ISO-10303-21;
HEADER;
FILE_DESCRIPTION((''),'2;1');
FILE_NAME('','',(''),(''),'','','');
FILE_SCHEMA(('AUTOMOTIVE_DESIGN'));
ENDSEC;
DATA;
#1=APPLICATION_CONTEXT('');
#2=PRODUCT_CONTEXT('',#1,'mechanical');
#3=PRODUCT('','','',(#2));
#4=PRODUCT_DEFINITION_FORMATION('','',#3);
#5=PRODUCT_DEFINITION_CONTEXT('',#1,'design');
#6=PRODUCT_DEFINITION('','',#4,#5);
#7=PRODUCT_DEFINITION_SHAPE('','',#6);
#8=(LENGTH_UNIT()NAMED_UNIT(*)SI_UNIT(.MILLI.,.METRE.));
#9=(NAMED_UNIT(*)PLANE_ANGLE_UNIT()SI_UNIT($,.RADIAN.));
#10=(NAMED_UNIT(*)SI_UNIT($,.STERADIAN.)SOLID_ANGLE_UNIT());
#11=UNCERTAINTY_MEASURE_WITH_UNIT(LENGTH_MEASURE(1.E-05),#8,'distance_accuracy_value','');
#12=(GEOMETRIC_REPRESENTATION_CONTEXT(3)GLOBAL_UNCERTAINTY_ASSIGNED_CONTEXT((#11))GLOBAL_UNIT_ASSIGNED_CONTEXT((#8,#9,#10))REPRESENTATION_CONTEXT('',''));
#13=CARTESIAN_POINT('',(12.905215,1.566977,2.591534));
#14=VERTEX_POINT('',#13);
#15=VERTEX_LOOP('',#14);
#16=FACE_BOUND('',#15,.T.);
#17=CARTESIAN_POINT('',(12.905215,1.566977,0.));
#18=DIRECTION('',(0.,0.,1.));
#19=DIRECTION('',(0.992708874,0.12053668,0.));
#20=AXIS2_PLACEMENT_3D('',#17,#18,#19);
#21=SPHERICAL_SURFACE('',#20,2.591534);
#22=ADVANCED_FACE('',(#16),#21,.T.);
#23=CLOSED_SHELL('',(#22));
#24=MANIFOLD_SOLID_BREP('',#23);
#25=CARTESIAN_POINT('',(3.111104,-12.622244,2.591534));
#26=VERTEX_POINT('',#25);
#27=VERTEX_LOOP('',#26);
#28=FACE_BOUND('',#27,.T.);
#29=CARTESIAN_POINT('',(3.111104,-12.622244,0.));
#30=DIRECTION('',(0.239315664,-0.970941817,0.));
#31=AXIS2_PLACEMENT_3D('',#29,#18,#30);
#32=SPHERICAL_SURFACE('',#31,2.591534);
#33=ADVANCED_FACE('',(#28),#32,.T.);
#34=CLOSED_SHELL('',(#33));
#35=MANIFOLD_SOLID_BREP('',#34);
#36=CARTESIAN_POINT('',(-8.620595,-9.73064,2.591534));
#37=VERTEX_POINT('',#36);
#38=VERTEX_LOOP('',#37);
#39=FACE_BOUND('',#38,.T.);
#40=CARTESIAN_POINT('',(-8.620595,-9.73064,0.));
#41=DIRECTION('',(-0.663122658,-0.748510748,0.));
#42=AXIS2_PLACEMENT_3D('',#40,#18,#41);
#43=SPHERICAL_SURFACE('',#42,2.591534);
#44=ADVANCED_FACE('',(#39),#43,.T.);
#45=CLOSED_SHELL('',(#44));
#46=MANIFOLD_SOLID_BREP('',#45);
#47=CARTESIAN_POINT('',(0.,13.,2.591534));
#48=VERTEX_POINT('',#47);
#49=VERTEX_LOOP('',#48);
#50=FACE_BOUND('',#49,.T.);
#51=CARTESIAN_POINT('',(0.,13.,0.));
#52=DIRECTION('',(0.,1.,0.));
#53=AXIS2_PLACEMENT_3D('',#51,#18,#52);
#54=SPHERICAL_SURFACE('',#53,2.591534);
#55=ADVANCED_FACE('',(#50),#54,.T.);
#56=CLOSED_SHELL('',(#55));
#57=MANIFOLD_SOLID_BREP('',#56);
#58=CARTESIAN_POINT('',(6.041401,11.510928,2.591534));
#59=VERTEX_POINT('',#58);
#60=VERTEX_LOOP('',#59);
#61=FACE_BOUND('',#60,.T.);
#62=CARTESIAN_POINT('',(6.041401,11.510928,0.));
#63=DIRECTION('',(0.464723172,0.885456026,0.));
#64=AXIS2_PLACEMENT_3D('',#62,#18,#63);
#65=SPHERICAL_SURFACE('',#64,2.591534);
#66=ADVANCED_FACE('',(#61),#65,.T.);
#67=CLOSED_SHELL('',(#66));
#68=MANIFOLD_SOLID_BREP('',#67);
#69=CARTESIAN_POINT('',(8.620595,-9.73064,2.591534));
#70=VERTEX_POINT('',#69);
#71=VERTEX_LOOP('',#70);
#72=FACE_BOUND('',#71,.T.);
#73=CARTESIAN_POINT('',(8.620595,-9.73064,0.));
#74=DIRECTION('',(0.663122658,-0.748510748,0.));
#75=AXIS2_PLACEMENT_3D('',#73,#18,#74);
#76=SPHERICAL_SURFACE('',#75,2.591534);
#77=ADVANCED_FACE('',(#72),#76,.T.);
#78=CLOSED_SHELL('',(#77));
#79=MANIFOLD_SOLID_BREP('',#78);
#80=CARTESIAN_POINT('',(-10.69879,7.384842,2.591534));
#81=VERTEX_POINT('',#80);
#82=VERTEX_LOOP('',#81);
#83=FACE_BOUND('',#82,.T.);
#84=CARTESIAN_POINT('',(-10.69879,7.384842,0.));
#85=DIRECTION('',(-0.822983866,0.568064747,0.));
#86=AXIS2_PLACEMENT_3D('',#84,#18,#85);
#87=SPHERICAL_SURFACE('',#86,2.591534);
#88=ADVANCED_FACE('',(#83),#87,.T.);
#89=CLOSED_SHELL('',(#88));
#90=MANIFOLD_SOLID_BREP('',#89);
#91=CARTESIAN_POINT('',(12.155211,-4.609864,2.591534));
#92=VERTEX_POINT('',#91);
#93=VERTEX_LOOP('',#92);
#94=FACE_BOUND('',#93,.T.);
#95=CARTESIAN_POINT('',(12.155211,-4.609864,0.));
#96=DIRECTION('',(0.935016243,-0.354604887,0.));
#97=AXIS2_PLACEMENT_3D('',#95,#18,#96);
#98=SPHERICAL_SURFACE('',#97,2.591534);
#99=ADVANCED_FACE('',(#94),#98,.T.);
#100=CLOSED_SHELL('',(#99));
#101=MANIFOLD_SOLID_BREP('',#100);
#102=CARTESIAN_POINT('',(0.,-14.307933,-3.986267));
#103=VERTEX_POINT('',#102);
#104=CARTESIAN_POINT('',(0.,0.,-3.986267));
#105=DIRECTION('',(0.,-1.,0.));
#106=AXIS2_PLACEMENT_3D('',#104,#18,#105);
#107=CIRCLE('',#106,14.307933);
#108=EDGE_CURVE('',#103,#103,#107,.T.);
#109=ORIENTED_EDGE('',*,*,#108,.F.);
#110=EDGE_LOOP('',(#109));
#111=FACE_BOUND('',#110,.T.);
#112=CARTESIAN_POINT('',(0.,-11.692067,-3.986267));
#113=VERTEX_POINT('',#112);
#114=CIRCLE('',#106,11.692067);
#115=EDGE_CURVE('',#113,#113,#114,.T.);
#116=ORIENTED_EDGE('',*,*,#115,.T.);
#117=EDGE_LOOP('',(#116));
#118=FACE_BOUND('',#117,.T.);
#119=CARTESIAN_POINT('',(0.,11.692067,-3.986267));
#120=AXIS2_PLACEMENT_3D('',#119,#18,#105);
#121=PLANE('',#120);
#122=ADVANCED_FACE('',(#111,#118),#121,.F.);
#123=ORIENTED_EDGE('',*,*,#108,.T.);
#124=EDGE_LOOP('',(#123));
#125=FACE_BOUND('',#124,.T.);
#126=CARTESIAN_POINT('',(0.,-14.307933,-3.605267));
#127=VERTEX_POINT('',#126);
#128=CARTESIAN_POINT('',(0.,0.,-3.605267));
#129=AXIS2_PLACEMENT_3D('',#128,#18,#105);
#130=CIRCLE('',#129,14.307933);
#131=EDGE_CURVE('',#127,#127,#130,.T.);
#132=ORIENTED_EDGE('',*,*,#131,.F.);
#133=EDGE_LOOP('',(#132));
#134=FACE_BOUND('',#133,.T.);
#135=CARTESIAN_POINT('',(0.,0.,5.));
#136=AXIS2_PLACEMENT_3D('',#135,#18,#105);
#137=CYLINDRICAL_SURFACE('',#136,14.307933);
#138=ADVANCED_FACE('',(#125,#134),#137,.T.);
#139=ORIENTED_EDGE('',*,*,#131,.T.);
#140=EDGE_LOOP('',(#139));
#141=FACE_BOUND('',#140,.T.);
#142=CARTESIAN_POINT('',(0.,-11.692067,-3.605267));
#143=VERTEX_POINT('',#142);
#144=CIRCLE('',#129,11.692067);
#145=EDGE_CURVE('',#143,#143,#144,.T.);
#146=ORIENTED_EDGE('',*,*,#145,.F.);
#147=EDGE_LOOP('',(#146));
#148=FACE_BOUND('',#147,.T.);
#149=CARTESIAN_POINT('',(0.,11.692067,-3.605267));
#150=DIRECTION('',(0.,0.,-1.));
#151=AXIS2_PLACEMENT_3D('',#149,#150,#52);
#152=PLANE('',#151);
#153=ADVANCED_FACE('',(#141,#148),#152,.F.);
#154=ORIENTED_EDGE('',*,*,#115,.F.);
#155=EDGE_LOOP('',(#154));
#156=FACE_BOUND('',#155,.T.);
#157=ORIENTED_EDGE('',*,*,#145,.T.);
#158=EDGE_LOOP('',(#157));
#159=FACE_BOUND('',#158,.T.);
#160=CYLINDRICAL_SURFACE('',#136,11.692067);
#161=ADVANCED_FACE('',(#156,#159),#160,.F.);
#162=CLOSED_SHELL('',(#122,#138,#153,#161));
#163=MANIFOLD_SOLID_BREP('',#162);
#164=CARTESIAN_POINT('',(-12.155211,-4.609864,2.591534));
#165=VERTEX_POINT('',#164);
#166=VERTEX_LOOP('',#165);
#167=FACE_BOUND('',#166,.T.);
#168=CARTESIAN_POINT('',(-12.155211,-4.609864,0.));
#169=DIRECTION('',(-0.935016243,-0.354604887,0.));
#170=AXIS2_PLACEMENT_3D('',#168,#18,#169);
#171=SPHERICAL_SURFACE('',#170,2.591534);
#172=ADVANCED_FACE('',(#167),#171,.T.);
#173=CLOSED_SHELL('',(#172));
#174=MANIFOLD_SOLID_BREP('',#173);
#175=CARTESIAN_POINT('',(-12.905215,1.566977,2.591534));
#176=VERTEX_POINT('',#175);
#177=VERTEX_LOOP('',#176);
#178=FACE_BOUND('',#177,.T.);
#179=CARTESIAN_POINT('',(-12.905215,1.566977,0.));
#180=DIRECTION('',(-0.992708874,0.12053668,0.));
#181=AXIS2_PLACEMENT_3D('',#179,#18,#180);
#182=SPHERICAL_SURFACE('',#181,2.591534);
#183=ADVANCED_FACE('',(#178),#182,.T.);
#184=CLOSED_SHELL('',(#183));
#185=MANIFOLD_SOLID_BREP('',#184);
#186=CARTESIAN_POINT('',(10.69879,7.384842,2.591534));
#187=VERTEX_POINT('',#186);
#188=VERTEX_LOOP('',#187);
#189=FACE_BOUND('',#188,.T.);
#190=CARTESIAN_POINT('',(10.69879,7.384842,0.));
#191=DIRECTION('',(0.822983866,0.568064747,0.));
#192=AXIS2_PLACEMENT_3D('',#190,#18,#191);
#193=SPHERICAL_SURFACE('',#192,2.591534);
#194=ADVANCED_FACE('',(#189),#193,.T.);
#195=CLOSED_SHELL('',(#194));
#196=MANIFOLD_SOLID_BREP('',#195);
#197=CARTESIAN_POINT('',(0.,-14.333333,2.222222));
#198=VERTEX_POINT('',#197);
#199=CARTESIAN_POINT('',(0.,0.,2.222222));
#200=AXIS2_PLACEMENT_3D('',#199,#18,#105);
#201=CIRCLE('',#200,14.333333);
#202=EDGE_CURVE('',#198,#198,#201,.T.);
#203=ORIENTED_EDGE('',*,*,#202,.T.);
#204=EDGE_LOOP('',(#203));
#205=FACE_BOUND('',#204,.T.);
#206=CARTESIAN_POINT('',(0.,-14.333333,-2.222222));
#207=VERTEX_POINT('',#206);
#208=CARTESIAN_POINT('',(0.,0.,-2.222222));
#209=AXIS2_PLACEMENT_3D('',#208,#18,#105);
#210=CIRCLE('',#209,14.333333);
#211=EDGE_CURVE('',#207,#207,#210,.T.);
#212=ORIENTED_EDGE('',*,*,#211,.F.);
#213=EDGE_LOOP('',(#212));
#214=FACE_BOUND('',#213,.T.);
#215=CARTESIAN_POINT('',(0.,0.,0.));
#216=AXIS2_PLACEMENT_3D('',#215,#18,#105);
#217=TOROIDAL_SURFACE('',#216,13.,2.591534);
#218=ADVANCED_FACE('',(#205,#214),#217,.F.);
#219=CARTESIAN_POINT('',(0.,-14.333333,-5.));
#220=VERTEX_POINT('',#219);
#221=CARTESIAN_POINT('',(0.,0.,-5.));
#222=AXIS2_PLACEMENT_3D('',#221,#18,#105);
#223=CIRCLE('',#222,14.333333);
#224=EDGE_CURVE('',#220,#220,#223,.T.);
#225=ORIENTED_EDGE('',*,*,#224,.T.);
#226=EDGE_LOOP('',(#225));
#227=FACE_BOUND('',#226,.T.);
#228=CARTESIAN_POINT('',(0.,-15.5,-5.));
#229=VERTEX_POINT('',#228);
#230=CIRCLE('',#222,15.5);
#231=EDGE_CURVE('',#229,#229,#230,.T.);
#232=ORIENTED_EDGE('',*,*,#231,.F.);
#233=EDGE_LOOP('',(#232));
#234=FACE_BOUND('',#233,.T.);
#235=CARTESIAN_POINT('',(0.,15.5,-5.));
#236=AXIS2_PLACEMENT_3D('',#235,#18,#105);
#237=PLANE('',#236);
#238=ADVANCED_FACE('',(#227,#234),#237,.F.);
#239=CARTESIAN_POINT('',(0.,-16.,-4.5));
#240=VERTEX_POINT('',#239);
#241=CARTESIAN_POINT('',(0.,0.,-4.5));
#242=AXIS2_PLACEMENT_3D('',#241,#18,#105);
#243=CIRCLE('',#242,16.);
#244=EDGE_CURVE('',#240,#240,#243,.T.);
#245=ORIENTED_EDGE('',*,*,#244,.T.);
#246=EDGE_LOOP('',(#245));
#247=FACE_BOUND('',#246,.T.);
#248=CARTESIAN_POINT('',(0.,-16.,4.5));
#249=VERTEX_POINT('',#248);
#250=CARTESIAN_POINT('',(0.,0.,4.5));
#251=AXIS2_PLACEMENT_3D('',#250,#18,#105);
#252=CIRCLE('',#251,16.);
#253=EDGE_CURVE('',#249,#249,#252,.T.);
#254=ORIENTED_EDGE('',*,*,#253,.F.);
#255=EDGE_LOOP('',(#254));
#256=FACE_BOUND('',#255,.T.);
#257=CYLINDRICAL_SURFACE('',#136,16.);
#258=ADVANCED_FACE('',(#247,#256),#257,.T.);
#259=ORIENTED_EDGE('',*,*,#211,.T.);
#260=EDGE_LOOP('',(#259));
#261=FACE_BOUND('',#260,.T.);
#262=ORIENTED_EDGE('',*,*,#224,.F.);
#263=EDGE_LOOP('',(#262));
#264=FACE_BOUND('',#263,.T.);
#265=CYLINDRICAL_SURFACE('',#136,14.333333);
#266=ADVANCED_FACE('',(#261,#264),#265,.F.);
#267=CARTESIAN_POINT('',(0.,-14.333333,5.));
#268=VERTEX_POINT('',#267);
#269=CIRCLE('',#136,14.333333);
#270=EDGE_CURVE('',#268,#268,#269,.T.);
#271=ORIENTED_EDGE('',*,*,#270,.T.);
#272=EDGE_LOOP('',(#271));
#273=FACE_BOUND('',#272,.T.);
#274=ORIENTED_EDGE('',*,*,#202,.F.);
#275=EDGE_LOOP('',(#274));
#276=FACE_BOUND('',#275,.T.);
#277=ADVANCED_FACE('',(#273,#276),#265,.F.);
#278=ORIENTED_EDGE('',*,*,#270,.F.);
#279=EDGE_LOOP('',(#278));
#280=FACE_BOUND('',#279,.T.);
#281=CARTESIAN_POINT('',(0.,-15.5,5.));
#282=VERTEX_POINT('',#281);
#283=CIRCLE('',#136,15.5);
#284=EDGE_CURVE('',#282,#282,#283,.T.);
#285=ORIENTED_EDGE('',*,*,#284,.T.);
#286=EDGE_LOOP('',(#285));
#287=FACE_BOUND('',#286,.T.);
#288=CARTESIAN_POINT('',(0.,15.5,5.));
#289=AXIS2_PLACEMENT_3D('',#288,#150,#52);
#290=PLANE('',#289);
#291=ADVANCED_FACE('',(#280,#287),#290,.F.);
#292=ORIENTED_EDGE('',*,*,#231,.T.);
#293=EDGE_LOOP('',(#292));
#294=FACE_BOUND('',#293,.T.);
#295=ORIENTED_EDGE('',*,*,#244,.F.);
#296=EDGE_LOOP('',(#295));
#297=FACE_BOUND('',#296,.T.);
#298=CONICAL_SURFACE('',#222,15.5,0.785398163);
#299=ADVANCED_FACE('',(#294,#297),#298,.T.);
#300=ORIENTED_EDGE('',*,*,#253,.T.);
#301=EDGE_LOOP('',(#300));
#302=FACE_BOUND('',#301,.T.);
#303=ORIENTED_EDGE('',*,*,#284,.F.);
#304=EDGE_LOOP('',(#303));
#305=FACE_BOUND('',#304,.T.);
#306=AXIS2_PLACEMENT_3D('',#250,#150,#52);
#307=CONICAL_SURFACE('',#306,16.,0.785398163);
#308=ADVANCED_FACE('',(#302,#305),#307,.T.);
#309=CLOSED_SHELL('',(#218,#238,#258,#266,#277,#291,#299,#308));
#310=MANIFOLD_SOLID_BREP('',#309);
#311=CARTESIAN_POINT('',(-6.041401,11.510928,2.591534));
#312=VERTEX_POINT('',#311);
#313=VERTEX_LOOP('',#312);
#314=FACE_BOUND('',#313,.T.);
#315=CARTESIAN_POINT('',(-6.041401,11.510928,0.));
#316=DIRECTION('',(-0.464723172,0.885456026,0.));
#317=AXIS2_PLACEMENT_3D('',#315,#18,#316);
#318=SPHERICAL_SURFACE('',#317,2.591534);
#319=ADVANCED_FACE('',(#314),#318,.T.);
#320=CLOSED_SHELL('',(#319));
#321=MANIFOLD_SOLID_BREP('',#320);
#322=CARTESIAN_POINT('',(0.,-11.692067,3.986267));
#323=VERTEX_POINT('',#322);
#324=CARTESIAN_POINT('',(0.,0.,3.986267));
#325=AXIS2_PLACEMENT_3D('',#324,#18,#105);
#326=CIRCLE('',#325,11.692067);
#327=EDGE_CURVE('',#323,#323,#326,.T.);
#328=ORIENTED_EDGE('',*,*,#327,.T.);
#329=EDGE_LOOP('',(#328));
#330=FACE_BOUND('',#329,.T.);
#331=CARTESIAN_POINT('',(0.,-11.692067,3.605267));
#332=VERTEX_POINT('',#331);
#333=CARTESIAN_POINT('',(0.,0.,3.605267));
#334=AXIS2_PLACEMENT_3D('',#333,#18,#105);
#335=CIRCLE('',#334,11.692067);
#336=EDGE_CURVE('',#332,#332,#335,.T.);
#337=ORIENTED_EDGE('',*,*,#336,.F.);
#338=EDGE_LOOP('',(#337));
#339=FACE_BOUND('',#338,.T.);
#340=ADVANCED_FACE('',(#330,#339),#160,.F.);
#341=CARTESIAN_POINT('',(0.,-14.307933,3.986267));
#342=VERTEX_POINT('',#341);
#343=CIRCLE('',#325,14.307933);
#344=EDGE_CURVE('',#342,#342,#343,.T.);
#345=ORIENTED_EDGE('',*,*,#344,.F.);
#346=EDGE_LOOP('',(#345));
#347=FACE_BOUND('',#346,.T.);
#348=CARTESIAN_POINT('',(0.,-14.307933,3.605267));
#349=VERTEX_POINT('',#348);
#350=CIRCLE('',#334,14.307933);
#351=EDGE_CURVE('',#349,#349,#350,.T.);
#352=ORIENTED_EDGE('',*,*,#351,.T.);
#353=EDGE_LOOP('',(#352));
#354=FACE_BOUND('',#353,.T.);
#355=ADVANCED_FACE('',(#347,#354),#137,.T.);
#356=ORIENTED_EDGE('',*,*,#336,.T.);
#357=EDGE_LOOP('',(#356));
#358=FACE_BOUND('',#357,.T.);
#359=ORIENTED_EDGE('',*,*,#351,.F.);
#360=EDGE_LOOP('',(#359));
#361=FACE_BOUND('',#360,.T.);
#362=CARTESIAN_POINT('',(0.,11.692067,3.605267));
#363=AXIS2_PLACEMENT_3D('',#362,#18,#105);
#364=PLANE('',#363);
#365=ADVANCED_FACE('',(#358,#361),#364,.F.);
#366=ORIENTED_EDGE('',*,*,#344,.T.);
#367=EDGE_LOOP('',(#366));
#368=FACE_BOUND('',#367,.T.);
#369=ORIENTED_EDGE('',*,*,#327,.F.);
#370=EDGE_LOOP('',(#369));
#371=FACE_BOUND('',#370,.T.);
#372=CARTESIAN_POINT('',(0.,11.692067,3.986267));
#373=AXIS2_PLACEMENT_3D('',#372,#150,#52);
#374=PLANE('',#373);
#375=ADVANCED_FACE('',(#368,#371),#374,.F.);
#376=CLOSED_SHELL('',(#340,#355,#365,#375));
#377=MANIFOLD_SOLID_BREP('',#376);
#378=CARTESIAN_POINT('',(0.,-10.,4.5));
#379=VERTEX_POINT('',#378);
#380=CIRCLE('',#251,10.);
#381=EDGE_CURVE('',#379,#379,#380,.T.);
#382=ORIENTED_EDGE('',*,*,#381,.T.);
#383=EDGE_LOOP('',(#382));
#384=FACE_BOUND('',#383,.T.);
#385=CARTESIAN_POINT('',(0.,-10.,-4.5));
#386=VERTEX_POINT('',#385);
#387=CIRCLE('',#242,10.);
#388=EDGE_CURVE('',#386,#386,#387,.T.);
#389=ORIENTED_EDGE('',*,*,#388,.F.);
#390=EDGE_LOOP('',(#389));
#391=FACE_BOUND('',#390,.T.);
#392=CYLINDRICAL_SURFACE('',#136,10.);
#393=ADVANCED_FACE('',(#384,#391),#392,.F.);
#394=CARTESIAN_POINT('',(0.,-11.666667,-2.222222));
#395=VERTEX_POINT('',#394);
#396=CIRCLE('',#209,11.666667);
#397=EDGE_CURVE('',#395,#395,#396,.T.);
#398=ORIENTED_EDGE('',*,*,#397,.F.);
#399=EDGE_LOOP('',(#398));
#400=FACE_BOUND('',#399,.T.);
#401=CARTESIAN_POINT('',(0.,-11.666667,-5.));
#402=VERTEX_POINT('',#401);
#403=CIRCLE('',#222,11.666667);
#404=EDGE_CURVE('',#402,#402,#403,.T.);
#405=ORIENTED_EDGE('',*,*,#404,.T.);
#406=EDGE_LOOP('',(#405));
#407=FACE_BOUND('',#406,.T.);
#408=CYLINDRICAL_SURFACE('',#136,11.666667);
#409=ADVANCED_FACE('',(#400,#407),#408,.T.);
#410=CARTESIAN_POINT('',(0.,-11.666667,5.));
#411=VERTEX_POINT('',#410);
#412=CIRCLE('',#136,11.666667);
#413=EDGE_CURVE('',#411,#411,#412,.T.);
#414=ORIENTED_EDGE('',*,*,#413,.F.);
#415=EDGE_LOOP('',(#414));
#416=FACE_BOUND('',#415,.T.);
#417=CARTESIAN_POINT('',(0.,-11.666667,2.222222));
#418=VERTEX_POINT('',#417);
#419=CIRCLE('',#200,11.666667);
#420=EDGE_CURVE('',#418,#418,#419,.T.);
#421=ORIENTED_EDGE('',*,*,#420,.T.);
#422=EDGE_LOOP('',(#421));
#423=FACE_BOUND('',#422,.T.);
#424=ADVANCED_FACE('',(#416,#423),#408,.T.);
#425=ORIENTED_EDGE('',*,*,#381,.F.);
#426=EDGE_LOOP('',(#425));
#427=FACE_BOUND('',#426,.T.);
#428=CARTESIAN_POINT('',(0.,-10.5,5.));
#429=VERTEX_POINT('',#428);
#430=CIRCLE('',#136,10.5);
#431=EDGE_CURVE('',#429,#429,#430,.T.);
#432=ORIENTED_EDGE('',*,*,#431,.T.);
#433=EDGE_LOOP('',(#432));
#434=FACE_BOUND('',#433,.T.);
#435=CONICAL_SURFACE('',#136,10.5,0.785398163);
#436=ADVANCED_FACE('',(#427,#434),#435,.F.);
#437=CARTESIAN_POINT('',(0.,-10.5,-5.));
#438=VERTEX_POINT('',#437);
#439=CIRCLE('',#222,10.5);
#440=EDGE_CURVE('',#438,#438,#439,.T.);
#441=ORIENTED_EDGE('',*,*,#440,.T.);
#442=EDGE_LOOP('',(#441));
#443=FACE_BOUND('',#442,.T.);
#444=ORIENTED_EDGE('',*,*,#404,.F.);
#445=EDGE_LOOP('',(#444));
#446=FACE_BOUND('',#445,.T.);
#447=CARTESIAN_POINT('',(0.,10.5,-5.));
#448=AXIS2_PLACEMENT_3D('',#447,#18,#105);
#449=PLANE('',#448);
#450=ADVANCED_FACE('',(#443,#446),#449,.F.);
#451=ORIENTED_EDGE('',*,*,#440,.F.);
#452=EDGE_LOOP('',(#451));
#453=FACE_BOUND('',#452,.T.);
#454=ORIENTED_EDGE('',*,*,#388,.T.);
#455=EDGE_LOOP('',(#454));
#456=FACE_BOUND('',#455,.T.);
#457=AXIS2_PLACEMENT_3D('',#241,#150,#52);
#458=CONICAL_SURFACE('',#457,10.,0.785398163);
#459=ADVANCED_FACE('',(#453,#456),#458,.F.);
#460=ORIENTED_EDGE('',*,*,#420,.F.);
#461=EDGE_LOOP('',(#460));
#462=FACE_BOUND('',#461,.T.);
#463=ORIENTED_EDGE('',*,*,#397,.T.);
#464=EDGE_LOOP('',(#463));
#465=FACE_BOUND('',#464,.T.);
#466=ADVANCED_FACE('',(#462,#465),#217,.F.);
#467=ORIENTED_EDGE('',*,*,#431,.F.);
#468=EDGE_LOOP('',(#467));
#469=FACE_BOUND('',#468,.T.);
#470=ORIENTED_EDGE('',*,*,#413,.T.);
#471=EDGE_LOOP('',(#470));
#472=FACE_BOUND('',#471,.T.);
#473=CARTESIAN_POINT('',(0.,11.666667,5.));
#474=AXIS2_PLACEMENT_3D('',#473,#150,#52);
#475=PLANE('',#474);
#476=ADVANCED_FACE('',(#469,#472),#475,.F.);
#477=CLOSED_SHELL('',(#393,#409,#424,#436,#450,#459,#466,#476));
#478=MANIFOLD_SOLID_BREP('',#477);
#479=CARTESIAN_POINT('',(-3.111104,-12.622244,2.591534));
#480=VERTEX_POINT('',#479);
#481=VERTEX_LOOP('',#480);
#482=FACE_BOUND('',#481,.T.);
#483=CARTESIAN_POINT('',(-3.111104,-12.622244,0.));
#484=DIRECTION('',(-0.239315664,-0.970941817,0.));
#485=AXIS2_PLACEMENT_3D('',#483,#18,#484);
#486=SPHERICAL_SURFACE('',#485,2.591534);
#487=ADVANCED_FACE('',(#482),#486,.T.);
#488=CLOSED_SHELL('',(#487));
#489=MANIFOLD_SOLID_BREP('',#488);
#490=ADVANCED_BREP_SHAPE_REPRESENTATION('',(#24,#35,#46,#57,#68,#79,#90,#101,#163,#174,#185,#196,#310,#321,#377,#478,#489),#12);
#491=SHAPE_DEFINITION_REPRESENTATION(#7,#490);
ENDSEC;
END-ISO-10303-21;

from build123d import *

# Parameters (mm, degrees)
SKETCH5_W         = 0.381
SKETCH5_H         = 2.615866666
CIRPATTERN1_COUNT = 13


with BuildPart() as part:
    # Sketch5 → Revolve1 (revolve)
    with BuildSketch(Plane(origin=(0, 0, 0), x_dir=(0, 0, -1), z_dir=(1, 0, 0))):
        with BuildLine():
            Line((4.5, 16), (-4.5, 16))
            Line((-4.5, 16), (-5, 15.5))
            Line((-5, 15.5), (-5, 14.333333333))
            Line((-5, 14.333333333), (-2.222222222, 14.333333333))
            ThreePointArc((-2.222222222, 14.333333333), (0, 15.591534175), (2.222222222, 14.333333333))
            Line((2.222222222, 14.333333333), (5, 14.333333333))
            Line((5, 14.333333333), (5, 15.5))
            Line((5, 15.5), (4.5, 16))
        make_face()
        with Locations((3.795767088, 13)):
            Rectangle(SKETCH5_W, SKETCH5_H)
        with Locations((-3.795767088, 13)):
            Rectangle(SKETCH5_W, SKETCH5_H)
    revolve(axis=Axis((0, 0, 5), (0, 0, -1)))


with BuildPart() as body_2:
    # Sketch3 → Revolve3 (revolve)
    with BuildSketch(Plane(origin=(0, 0, 0), x_dir=(0, 0, -1), z_dir=(1, 0, 0))):
        with BuildLine():
            Line((-5, 11.666666667), (-2.222222222, 11.666666667))
            ThreePointArc((-2.222222222, 11.666666667), (0, 10.408465825), (2.222222222, 11.666666667))
            Line((2.222222222, 11.666666667), (5, 11.666666667))
            Line((5, 11.666666667), (5, 10.5))
            Line((5, 10.5), (4.5, 10))
            Line((4.5, 10), (-4.5, 10))
            Line((-4.5, 10), (-5, 10.5))
            Line((-5, 10.5), (-5, 11.666666667))
        make_face()
    revolve(axis=Axis((0, 0, 5), (0, 0, -1)))


with BuildPart() as body_3:
    # Sketch4 → Revolve4 (revolve)
    with BuildSketch(Plane(origin=(0, 0, 0), x_dir=(0, 0, -1), z_dir=(1, 0, 0))):
        with BuildLine():
            Line((-2.591534175, 13), (2.591534175, 13))
            ThreePointArc((2.591534175, 13), (0, 15.591534175), (-2.591534175, 13))
        make_face()
    revolve(axis=Axis((0, 13, 2.591534175), (0, 0, -1)))


with BuildPart() as cirpattern1_1:
    # CirPattern1: pattern copy
    add(body_3.part.rotate(Axis((0, 0, 0), (0, 0, 1)), 1 * 360 / CIRPATTERN1_COUNT))


with BuildPart() as cirpattern1_2:
    # CirPattern1: pattern copy
    add(body_3.part.rotate(Axis((0, 0, 0), (0, 0, 1)), 2 * 360 / CIRPATTERN1_COUNT))


with BuildPart() as cirpattern1_3:
    # CirPattern1: pattern copy
    add(body_3.part.rotate(Axis((0, 0, 0), (0, 0, 1)), 3 * 360 / CIRPATTERN1_COUNT))


with BuildPart() as cirpattern1_4:
    # CirPattern1: pattern copy
    add(body_3.part.rotate(Axis((0, 0, 0), (0, 0, 1)), 4 * 360 / CIRPATTERN1_COUNT))


with BuildPart() as cirpattern1_5:
    # CirPattern1: pattern copy
    add(body_3.part.rotate(Axis((0, 0, 0), (0, 0, 1)), 5 * 360 / CIRPATTERN1_COUNT))


with BuildPart() as cirpattern1_6:
    # CirPattern1: pattern copy
    add(body_3.part.rotate(Axis((0, 0, 0), (0, 0, 1)), 6 * 360 / CIRPATTERN1_COUNT))


with BuildPart() as cirpattern1_7:
    # CirPattern1: pattern copy
    add(body_3.part.rotate(Axis((0, 0, 0), (0, 0, 1)), 7 * 360 / CIRPATTERN1_COUNT))


with BuildPart() as cirpattern1_8:
    # CirPattern1: pattern copy
    add(body_3.part.rotate(Axis((0, 0, 0), (0, 0, 1)), 8 * 360 / CIRPATTERN1_COUNT))


with BuildPart() as cirpattern1_9:
    # CirPattern1: pattern copy
    add(body_3.part.rotate(Axis((0, 0, 0), (0, 0, 1)), 9 * 360 / CIRPATTERN1_COUNT))


with BuildPart() as cirpattern1_10:
    # CirPattern1: pattern copy
    add(body_3.part.rotate(Axis((0, 0, 0), (0, 0, 1)), 10 * 360 / CIRPATTERN1_COUNT))


with BuildPart() as cirpattern1_11:
    # CirPattern1: pattern copy
    add(body_3.part.rotate(Axis((0, 0, 0), (0, 0, 1)), 11 * 360 / CIRPATTERN1_COUNT))


with BuildPart() as cirpattern1_12:
    # CirPattern1: pattern copy
    add(body_3.part.rotate(Axis((0, 0, 0), (0, 0, 1)), 12 * 360 / CIRPATTERN1_COUNT))


solid = Compound([part.part, body_2.part, body_3.part, cirpattern1_1.part, cirpattern1_2.part, cirpattern1_3.part, cirpattern1_4.part, cirpattern1_5.part, cirpattern1_6.part, cirpattern1_7.part, cirpattern1_8.part, cirpattern1_9.part, cirpattern1_10.part, cirpattern1_11.part, cirpattern1_12.part])
